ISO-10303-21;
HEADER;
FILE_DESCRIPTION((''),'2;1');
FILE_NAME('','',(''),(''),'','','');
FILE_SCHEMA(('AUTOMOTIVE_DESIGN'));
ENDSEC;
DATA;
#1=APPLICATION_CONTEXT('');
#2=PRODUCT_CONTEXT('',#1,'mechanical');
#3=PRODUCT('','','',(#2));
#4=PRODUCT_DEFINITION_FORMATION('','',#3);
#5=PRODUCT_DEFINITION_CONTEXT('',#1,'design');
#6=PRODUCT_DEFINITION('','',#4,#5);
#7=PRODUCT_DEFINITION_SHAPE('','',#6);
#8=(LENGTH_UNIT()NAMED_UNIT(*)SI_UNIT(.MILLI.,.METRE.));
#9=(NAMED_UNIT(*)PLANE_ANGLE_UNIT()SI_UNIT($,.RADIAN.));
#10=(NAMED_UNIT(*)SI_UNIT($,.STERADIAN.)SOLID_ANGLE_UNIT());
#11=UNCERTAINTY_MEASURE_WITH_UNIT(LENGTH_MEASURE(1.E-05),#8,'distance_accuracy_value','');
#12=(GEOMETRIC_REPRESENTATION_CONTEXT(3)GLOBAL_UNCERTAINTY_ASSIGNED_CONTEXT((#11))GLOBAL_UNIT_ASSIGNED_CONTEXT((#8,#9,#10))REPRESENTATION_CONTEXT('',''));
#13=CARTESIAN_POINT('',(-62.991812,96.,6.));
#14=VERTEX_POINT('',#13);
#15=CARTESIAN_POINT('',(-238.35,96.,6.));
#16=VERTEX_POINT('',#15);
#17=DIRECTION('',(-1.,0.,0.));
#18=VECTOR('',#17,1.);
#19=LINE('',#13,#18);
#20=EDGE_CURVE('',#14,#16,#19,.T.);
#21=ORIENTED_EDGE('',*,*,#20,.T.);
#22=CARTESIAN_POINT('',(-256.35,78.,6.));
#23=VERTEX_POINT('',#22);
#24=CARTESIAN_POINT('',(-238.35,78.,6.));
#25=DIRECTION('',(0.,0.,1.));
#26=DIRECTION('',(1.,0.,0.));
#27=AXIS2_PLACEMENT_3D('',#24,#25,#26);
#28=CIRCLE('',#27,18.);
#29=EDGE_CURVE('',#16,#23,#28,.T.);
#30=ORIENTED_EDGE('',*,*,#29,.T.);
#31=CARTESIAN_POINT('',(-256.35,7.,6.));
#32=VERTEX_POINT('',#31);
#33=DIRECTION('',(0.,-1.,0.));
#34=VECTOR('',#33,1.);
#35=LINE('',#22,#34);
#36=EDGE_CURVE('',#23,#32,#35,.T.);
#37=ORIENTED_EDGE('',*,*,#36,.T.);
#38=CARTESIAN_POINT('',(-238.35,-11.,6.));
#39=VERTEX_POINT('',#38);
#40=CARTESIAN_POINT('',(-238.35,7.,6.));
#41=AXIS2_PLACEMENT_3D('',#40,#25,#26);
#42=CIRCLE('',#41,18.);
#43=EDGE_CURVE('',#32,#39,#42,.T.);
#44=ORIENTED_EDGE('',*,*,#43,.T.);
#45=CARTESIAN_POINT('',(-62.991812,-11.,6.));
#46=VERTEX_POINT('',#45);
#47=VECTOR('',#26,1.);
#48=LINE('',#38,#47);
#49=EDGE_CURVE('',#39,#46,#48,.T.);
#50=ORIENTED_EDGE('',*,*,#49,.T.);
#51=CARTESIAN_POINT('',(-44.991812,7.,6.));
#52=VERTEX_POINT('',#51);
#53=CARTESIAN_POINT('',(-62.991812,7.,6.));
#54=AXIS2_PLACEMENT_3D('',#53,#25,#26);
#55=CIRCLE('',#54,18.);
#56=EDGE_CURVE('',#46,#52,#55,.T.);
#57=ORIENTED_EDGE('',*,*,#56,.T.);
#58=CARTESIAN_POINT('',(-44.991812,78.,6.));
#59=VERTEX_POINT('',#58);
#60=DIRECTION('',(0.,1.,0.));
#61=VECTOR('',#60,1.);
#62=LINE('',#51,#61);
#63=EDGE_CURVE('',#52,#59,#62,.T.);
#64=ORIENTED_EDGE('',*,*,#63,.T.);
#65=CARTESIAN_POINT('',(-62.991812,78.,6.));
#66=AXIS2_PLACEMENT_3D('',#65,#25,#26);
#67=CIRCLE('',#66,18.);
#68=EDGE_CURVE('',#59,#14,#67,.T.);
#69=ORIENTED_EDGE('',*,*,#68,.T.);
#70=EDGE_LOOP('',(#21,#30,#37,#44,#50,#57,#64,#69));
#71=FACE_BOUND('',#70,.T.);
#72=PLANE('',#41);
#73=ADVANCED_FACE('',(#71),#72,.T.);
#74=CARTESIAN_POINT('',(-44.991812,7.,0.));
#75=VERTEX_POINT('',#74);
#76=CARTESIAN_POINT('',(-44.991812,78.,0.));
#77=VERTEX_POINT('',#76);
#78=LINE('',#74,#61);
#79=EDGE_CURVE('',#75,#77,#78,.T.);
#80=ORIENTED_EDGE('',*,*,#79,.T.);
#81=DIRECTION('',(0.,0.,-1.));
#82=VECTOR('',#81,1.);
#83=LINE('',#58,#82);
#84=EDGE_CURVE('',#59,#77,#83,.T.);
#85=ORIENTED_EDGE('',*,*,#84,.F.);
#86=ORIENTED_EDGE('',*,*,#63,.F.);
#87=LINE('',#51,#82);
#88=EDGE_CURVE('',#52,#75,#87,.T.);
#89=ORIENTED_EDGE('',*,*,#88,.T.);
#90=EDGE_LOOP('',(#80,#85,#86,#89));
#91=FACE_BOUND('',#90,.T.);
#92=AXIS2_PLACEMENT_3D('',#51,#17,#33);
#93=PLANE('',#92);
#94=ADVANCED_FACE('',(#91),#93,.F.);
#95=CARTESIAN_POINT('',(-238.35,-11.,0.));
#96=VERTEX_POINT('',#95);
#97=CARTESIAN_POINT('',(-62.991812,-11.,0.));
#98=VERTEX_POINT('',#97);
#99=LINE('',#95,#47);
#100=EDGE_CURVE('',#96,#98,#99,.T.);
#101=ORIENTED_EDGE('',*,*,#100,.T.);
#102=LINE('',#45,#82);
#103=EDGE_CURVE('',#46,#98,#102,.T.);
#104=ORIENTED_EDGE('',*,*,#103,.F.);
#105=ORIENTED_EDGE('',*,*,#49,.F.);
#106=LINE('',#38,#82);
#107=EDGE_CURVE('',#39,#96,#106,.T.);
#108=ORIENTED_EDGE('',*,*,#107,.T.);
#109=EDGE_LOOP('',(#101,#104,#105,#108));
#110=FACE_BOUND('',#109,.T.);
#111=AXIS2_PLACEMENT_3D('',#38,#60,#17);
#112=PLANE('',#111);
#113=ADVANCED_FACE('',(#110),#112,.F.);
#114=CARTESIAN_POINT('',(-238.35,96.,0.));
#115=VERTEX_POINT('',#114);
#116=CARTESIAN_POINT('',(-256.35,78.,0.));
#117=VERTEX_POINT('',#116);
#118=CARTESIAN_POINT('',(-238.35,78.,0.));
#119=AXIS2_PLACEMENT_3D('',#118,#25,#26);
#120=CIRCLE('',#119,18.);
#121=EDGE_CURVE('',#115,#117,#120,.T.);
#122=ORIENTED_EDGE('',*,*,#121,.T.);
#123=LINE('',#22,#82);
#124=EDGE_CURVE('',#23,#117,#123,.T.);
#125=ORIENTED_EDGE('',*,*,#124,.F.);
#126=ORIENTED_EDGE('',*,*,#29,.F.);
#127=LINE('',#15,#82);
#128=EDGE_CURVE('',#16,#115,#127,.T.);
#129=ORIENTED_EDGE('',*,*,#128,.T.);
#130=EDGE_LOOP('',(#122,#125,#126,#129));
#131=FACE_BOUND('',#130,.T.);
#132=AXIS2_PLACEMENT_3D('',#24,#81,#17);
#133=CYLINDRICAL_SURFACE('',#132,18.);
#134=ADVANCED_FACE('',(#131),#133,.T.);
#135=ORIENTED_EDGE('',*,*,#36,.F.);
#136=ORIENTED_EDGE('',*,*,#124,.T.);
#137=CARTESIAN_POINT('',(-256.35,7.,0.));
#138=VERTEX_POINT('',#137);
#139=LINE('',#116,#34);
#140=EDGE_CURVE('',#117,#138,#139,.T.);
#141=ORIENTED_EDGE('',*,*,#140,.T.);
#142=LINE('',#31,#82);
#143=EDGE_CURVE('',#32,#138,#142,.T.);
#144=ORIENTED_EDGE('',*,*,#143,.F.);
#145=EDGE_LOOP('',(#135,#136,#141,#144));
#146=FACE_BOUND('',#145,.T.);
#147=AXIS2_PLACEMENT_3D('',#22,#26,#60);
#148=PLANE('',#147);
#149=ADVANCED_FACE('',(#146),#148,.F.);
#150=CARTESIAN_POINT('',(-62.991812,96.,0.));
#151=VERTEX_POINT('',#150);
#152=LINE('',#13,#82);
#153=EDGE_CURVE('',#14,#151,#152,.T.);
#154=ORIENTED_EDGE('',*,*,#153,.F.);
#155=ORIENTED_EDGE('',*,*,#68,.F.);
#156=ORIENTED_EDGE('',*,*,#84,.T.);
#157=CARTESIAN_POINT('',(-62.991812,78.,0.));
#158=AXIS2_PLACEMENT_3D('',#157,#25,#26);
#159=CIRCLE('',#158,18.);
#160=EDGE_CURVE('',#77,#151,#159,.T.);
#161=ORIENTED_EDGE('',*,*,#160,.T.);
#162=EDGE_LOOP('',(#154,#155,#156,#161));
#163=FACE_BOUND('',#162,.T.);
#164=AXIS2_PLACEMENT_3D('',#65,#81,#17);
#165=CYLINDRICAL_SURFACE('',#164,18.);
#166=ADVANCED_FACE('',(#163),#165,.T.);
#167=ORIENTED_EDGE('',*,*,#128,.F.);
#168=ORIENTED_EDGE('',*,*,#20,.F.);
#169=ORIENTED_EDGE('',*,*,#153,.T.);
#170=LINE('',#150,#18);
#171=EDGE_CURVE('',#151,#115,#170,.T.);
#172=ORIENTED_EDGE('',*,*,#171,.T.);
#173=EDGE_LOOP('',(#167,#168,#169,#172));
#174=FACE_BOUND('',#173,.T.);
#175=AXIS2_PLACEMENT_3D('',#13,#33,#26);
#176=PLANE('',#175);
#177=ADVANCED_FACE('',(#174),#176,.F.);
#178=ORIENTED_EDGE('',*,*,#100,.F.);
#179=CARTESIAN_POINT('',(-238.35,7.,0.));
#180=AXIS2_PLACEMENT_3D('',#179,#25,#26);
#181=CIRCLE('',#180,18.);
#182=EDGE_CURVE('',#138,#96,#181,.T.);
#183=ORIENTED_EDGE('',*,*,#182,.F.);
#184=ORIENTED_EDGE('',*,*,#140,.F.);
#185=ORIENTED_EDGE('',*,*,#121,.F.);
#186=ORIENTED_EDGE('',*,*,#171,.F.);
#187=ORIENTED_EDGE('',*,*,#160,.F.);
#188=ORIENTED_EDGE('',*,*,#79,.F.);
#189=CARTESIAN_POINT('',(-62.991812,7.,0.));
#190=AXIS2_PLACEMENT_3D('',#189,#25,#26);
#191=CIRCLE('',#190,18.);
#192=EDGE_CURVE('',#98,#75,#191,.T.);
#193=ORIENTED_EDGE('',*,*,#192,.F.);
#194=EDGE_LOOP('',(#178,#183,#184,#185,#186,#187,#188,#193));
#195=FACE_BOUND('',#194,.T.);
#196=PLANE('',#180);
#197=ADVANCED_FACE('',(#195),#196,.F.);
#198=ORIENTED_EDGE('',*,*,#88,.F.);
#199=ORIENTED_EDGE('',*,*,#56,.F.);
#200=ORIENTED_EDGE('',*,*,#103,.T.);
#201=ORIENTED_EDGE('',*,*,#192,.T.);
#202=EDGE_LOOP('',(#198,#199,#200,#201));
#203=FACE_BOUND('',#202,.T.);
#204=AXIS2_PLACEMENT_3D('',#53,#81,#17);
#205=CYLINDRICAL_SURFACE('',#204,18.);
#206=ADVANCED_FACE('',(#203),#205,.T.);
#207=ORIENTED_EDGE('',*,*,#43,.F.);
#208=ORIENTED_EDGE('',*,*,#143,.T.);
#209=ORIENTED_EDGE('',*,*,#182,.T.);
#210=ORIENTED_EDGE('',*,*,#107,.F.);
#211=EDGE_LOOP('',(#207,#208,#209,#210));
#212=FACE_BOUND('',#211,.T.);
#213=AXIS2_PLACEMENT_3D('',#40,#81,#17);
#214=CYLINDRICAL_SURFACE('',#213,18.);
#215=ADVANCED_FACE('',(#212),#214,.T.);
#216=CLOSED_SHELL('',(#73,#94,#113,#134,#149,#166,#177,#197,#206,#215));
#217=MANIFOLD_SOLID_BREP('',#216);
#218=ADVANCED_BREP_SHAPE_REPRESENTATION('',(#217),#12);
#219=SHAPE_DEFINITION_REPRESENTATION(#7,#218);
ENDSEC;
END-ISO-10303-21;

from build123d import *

# Parameters (mm, degrees)
BOSS_EXTRUDE1_DEPTH = 6


with BuildPart() as part:
    # Sketch1 → Boss-Extrude1 (new body)
    with BuildSketch(Plane.XY):
        with BuildLine():
            Line((-238.35, -11), (-62.991811867, -11))
            ThreePointArc((-62.991811867, -11), (-50.263889805, -5.727922061), (-44.991811867, 7))
            Line((-44.991811867, 7), (-44.991811867, 78))
            ThreePointArc((-44.991811867, 78), (-50.263889805, 90.727922061), (-62.991811867, 96))
            Line((-62.991811867, 96), (-238.35, 96))
            ThreePointArc((-238.35, 96), (-251.077922061, 90.727922061), (-256.35, 78))
            Line((-256.35, 78), (-256.35, 7))
            ThreePointArc((-256.35, 7), (-251.077922061, -5.727922061), (-238.35, -11))
        make_face()
    extrude(amount=BOSS_EXTRUDE1_DEPTH)


solid = part.part
